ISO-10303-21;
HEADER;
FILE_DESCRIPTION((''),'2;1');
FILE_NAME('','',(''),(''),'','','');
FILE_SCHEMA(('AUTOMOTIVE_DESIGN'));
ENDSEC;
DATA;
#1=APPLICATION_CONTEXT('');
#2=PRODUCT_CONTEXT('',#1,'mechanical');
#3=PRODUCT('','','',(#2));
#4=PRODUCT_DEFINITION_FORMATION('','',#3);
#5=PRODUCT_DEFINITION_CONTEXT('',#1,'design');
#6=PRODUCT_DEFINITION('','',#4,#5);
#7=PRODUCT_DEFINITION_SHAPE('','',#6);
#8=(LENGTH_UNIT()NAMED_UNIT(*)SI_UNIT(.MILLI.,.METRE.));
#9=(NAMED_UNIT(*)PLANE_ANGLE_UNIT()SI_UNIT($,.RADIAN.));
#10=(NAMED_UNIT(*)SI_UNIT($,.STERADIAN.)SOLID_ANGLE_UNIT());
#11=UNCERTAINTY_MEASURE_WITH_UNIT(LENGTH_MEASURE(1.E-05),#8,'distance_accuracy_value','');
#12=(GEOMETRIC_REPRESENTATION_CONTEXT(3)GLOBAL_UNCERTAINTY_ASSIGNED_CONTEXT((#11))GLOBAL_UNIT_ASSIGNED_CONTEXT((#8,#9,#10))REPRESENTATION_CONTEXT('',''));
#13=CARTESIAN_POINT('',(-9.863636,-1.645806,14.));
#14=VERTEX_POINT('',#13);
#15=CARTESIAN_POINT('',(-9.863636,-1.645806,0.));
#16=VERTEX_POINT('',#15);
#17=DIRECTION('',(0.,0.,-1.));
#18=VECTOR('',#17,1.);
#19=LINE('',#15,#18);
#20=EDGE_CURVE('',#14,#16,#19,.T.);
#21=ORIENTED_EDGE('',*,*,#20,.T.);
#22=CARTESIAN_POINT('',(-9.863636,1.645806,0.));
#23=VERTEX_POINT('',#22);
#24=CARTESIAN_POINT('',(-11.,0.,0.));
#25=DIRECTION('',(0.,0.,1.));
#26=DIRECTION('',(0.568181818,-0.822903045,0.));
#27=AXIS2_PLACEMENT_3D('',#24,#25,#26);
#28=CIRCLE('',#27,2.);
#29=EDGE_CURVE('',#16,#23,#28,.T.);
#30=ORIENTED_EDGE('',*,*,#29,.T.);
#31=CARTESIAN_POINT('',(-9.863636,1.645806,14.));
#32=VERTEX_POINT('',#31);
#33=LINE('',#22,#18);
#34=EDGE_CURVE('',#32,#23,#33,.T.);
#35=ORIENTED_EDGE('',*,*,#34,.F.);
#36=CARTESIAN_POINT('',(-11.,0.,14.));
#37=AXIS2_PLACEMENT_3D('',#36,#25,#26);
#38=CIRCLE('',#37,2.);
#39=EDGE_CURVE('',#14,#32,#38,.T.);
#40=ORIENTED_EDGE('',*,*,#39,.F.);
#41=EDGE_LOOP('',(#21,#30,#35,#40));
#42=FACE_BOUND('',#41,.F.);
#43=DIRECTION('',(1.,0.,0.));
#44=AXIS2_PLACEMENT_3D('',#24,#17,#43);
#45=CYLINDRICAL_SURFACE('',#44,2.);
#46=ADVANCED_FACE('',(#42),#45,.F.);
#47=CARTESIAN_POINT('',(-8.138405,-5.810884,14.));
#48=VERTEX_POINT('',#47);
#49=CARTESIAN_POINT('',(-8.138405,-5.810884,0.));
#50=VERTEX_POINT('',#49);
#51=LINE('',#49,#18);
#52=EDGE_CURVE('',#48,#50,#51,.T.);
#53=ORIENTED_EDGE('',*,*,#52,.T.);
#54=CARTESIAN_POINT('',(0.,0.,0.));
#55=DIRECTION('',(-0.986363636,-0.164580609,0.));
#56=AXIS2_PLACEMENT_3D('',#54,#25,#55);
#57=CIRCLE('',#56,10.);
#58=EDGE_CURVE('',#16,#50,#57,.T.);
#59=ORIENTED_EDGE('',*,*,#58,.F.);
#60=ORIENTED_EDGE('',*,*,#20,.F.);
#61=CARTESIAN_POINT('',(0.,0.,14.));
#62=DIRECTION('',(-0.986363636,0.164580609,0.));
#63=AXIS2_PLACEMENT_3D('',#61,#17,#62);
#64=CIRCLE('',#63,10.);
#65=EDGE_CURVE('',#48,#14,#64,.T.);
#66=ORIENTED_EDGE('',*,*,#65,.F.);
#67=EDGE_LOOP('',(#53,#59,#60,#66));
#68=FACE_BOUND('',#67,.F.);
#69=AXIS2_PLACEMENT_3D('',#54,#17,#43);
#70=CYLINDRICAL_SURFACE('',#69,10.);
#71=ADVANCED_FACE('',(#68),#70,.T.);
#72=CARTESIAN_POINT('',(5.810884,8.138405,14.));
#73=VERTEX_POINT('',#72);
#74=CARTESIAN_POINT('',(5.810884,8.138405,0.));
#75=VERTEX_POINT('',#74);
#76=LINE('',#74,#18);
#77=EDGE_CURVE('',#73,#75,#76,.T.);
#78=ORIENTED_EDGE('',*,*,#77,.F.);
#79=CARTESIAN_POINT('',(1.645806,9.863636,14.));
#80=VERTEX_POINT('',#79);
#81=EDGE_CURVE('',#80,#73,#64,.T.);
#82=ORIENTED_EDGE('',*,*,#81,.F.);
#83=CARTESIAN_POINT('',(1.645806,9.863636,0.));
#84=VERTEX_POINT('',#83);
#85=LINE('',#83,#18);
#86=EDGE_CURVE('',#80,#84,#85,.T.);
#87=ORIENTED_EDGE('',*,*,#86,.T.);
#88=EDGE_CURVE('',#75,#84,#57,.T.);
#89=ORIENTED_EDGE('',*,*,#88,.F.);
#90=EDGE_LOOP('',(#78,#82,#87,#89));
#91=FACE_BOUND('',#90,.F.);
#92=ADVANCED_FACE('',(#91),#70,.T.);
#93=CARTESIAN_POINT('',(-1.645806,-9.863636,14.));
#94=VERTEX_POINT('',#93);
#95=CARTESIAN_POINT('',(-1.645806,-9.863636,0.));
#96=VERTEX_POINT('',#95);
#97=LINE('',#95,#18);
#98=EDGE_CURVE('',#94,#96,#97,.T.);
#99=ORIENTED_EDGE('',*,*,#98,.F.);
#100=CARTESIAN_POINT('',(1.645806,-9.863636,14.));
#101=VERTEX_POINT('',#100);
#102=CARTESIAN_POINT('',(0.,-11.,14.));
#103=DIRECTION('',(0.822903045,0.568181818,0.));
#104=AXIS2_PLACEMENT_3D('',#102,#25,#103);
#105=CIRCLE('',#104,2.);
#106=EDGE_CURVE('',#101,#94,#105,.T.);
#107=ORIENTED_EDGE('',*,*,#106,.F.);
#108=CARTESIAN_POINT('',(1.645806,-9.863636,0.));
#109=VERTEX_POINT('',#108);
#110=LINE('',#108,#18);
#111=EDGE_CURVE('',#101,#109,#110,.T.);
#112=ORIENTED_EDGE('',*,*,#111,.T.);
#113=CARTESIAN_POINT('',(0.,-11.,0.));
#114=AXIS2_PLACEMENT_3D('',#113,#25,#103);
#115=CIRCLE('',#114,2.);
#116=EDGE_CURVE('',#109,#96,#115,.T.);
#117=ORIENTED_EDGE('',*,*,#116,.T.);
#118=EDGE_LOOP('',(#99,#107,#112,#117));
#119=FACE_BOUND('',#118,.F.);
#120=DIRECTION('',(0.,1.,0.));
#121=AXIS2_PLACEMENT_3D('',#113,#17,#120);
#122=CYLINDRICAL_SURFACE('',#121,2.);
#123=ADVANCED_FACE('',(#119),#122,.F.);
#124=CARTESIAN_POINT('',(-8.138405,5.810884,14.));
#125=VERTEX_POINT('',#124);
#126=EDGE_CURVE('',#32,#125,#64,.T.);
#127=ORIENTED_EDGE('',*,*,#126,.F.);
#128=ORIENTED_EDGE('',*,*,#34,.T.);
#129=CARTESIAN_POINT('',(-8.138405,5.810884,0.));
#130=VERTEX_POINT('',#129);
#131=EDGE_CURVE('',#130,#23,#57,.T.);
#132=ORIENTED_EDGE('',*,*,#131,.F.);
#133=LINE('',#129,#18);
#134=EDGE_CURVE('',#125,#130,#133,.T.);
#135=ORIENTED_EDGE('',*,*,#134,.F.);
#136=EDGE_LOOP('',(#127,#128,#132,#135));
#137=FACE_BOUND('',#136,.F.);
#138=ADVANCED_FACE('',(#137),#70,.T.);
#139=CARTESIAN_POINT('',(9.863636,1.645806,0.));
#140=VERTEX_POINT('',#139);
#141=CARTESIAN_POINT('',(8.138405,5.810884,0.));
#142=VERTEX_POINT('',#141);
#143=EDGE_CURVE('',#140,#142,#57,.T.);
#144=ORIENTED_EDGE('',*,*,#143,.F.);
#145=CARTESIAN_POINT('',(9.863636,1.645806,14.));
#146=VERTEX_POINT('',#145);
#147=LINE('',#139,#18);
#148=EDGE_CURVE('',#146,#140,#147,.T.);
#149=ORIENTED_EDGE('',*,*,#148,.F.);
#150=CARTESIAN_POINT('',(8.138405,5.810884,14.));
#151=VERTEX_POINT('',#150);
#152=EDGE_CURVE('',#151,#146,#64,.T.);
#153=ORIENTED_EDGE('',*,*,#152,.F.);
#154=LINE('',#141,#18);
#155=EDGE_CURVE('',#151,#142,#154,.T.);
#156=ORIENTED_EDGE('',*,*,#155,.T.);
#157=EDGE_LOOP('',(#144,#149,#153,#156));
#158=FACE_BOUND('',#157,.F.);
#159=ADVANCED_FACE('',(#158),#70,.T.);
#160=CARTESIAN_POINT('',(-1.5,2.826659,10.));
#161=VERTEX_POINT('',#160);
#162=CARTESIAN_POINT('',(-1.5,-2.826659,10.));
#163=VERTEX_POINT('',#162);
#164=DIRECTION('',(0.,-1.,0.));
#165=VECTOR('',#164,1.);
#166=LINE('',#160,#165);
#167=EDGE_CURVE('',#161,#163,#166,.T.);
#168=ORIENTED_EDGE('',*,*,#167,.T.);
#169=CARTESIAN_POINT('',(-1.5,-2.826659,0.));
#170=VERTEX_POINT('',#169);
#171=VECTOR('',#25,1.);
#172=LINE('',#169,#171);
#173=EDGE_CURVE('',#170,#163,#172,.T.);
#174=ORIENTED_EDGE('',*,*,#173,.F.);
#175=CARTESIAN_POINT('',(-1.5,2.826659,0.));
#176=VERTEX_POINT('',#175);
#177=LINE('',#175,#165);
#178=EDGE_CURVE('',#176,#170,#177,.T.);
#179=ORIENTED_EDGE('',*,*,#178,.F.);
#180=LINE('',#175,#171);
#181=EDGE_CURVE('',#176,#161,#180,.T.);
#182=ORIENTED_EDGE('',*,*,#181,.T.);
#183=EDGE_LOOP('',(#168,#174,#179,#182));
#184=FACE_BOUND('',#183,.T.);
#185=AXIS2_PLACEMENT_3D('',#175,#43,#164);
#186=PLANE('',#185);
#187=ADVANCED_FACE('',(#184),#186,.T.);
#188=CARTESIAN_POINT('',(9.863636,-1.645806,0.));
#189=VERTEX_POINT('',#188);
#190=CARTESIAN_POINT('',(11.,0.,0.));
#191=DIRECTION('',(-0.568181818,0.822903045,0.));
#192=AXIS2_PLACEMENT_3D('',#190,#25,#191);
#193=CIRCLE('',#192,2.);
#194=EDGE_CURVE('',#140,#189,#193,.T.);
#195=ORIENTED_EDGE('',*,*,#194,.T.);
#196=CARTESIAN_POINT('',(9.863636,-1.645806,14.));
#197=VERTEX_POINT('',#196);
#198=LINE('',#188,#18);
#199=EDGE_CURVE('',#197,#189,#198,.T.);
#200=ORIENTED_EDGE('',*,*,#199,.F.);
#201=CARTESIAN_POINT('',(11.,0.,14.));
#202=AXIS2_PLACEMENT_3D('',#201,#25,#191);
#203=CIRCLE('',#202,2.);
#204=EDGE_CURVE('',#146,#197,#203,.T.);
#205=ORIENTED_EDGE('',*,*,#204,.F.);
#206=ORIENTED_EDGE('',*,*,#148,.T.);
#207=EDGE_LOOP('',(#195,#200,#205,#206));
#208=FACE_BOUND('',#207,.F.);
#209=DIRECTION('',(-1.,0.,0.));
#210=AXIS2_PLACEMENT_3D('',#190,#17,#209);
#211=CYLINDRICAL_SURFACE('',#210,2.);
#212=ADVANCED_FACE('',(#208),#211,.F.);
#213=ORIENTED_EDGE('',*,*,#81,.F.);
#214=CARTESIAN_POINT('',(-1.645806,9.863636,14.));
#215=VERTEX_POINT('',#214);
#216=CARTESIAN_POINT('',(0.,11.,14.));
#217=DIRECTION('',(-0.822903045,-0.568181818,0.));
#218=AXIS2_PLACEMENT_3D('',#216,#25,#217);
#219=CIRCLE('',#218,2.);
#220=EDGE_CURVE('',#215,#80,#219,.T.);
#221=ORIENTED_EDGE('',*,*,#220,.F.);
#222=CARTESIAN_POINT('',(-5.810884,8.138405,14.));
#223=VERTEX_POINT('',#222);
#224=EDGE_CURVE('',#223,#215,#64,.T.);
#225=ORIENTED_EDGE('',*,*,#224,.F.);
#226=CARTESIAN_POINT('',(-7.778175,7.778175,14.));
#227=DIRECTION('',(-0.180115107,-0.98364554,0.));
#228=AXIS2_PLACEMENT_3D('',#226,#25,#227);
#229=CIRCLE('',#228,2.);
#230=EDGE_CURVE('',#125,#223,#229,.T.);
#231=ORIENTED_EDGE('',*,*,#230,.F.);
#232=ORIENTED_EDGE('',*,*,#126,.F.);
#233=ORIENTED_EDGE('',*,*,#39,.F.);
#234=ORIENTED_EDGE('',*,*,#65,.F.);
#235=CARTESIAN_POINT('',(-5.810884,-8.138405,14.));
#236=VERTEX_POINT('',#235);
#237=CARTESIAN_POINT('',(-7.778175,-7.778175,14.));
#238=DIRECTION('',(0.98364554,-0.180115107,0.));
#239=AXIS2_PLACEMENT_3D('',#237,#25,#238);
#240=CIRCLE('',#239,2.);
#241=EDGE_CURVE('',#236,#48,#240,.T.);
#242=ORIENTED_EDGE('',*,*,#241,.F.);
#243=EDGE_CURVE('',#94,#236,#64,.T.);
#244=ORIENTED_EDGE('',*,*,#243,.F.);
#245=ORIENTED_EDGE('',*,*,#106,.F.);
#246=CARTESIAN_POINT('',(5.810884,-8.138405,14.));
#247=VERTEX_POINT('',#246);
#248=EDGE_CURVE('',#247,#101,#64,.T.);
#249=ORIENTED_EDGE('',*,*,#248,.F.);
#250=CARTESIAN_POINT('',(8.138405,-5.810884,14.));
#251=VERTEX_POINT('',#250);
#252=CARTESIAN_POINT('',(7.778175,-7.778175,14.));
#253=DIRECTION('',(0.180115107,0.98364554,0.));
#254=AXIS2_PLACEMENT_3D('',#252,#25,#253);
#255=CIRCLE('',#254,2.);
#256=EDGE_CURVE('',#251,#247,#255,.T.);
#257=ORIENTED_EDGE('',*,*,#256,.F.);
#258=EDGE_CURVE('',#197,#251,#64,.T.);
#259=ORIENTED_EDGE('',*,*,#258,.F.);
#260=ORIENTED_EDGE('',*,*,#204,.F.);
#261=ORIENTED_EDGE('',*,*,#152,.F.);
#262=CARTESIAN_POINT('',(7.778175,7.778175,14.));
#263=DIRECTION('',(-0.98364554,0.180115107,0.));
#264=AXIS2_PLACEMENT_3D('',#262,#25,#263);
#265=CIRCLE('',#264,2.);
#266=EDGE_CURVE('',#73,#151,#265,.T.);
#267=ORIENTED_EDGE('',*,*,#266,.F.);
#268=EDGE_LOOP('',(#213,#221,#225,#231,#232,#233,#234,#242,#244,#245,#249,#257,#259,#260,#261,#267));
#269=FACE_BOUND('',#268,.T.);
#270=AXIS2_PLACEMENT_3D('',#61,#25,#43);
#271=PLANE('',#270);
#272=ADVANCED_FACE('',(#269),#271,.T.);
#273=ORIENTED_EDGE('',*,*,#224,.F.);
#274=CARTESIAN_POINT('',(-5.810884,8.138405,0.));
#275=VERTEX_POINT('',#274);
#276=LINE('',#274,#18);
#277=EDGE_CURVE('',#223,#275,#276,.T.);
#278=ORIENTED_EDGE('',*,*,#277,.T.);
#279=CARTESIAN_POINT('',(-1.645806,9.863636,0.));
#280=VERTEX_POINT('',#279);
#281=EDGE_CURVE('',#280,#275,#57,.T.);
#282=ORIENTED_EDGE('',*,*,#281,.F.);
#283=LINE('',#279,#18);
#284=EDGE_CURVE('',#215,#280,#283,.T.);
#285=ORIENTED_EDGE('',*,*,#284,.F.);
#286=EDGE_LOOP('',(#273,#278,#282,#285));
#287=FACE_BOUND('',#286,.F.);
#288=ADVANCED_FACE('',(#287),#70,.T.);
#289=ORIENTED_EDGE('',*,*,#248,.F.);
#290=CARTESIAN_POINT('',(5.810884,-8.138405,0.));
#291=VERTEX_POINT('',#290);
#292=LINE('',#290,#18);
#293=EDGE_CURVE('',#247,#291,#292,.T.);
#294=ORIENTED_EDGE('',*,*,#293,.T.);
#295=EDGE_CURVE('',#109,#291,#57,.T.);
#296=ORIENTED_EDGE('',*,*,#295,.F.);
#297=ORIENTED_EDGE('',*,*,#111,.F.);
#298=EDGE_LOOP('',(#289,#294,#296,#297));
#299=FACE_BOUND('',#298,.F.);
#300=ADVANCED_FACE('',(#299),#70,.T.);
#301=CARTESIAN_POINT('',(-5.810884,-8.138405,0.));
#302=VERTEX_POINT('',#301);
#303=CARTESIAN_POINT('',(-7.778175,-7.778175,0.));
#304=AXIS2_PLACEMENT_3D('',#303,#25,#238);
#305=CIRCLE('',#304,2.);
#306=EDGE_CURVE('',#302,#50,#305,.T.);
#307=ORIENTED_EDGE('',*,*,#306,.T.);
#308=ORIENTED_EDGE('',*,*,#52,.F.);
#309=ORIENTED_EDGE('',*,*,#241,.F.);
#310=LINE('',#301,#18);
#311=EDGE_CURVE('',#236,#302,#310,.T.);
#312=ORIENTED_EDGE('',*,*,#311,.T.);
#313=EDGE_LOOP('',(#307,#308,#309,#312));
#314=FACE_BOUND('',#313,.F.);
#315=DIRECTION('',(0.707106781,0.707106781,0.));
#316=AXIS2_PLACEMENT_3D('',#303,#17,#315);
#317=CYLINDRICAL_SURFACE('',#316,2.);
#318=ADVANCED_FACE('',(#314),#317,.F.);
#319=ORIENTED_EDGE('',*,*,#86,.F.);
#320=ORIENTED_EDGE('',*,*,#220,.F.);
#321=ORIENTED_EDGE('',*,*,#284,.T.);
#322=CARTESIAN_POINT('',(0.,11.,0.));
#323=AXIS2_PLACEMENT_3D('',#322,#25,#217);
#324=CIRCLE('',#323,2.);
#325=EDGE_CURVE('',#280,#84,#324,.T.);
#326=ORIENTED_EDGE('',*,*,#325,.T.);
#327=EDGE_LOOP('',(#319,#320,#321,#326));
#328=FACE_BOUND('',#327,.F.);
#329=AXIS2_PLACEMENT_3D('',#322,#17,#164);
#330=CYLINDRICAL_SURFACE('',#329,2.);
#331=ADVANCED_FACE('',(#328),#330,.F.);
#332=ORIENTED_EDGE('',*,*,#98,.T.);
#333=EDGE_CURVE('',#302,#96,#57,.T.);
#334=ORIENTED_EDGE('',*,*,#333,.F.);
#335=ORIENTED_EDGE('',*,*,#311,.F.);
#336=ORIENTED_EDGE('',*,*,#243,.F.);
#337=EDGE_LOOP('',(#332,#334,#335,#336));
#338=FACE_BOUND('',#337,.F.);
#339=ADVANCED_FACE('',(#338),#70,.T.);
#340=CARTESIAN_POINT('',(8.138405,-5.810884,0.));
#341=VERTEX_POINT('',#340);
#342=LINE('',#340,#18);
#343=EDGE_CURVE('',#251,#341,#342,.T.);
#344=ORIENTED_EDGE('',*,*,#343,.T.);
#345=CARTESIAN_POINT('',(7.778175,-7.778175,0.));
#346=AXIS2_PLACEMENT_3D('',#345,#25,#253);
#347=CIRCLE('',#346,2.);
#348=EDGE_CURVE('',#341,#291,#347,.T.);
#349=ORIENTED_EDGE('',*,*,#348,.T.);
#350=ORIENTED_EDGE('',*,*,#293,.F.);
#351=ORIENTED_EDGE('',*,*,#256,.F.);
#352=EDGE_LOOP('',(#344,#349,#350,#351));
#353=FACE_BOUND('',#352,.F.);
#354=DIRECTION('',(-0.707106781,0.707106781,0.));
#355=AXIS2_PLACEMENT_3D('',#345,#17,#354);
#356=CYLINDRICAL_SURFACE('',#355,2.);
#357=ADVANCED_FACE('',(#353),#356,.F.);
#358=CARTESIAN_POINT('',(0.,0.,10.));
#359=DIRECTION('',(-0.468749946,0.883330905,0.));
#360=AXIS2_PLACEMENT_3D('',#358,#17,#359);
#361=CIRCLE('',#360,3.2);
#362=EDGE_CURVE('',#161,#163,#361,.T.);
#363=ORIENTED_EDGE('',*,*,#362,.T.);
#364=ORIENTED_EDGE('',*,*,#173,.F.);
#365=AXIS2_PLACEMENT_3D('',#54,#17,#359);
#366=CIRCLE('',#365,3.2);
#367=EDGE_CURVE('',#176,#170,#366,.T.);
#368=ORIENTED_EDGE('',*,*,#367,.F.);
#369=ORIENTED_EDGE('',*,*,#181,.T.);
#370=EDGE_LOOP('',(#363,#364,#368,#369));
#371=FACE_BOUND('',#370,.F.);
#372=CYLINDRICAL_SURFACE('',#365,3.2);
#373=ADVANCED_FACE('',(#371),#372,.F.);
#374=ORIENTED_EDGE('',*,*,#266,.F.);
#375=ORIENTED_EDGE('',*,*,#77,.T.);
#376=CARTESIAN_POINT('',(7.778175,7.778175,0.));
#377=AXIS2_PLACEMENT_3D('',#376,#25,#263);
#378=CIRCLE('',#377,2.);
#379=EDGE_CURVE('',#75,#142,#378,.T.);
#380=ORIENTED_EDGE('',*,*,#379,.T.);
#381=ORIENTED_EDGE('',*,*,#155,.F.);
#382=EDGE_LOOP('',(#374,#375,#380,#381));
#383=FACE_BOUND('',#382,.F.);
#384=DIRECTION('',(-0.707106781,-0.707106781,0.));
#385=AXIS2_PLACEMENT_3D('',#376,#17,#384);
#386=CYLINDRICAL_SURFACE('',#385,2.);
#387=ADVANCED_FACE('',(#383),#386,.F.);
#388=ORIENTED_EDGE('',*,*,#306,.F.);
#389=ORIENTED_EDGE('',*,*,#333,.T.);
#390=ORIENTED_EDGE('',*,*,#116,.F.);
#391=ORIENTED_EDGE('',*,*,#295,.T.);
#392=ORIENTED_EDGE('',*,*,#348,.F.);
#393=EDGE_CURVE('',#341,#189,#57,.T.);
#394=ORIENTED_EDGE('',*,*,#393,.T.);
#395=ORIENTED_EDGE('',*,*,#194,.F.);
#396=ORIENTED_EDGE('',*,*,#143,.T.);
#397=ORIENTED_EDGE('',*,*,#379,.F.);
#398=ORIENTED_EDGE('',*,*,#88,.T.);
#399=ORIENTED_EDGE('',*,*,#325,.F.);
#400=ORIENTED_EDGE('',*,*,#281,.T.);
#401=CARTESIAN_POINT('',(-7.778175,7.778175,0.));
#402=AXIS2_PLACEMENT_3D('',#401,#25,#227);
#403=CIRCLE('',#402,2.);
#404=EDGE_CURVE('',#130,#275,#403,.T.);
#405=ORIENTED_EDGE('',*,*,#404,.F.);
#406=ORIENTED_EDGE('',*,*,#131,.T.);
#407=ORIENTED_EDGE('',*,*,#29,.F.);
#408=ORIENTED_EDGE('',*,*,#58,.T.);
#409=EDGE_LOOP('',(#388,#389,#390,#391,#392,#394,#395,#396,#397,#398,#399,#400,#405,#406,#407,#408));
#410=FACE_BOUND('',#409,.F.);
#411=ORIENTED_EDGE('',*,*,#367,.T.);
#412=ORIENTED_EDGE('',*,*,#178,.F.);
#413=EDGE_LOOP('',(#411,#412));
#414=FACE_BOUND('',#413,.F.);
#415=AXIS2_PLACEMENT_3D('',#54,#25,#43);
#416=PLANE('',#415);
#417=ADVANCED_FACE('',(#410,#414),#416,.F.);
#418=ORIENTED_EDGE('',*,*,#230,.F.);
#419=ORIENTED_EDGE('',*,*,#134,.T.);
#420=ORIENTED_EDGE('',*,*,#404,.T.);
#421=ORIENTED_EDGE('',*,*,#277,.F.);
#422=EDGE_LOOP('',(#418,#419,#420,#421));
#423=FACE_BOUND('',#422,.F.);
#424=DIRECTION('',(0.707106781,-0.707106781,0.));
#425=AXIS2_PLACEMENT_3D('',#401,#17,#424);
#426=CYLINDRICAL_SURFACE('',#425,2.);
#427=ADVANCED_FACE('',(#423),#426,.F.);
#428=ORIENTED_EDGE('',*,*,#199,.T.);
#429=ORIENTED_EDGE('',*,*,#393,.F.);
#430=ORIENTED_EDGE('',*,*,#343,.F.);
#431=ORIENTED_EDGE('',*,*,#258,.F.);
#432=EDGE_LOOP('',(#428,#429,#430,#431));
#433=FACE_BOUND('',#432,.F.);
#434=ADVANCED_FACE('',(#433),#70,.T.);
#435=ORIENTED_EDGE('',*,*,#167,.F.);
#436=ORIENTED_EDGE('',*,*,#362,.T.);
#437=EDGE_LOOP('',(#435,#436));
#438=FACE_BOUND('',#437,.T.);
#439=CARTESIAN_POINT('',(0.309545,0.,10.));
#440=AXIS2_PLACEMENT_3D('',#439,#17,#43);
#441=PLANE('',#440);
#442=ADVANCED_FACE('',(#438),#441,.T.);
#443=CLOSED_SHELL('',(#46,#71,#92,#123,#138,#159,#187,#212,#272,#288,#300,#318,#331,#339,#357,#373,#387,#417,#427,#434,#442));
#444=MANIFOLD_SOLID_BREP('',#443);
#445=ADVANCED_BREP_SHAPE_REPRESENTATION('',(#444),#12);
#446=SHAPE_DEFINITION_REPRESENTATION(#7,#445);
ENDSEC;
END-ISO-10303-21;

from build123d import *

# Parameters (mm, degrees)
CYLINDER_R         = 10
CYLINDER_DEPTH     = 14
POCKET_DEPTH       = 10
SKETCH001_R        = 2
POCKET001_DEPTH    = 14
POLARPATTERN_COUNT = 8


with BuildPart() as part:
    # Cylinder → Cylinder (new body)
    with BuildSketch(Plane.XY):
        Circle(CYLINDER_R)
    extrude(amount=CYLINDER_DEPTH)

    # Sketch → Pocket (cut)
    with BuildSketch(Plane(origin=(0, 0, 0), x_dir=(1, 0, 0), z_dir=(0, 0, -1))):
        with BuildLine():
            ThreePointArc((-1.5, -2.826659), (3.2, 0), (-1.5, 2.826659))
            Line((-1.5, -2.826659), (-1.5, 2.826659))
        make_face()
    extrude(amount=-POCKET_DEPTH, mode=Mode.SUBTRACT)

    # Sketch001 → Pocket001 (cut)
    with BuildSketch(Plane(origin=(0, 0, 0), x_dir=(1, 0, 0), z_dir=(0, 0, -1))):
        with Locations((-11, 0)):
            Circle(SKETCH001_R)
    pocket001 = extrude(amount=-POCKET001_DEPTH, mode=Mode.SUBTRACT)

    # PolarPattern: Pocket001 ×8 about axis
    polarpattern_axis = Axis((0, 0, 0), (0, 0, -1))
    for i in range(1, POLARPATTERN_COUNT):
        add(pocket001.rotate(polarpattern_axis, i * 360 / POLARPATTERN_COUNT), mode=Mode.SUBTRACT)


solid = part.part
